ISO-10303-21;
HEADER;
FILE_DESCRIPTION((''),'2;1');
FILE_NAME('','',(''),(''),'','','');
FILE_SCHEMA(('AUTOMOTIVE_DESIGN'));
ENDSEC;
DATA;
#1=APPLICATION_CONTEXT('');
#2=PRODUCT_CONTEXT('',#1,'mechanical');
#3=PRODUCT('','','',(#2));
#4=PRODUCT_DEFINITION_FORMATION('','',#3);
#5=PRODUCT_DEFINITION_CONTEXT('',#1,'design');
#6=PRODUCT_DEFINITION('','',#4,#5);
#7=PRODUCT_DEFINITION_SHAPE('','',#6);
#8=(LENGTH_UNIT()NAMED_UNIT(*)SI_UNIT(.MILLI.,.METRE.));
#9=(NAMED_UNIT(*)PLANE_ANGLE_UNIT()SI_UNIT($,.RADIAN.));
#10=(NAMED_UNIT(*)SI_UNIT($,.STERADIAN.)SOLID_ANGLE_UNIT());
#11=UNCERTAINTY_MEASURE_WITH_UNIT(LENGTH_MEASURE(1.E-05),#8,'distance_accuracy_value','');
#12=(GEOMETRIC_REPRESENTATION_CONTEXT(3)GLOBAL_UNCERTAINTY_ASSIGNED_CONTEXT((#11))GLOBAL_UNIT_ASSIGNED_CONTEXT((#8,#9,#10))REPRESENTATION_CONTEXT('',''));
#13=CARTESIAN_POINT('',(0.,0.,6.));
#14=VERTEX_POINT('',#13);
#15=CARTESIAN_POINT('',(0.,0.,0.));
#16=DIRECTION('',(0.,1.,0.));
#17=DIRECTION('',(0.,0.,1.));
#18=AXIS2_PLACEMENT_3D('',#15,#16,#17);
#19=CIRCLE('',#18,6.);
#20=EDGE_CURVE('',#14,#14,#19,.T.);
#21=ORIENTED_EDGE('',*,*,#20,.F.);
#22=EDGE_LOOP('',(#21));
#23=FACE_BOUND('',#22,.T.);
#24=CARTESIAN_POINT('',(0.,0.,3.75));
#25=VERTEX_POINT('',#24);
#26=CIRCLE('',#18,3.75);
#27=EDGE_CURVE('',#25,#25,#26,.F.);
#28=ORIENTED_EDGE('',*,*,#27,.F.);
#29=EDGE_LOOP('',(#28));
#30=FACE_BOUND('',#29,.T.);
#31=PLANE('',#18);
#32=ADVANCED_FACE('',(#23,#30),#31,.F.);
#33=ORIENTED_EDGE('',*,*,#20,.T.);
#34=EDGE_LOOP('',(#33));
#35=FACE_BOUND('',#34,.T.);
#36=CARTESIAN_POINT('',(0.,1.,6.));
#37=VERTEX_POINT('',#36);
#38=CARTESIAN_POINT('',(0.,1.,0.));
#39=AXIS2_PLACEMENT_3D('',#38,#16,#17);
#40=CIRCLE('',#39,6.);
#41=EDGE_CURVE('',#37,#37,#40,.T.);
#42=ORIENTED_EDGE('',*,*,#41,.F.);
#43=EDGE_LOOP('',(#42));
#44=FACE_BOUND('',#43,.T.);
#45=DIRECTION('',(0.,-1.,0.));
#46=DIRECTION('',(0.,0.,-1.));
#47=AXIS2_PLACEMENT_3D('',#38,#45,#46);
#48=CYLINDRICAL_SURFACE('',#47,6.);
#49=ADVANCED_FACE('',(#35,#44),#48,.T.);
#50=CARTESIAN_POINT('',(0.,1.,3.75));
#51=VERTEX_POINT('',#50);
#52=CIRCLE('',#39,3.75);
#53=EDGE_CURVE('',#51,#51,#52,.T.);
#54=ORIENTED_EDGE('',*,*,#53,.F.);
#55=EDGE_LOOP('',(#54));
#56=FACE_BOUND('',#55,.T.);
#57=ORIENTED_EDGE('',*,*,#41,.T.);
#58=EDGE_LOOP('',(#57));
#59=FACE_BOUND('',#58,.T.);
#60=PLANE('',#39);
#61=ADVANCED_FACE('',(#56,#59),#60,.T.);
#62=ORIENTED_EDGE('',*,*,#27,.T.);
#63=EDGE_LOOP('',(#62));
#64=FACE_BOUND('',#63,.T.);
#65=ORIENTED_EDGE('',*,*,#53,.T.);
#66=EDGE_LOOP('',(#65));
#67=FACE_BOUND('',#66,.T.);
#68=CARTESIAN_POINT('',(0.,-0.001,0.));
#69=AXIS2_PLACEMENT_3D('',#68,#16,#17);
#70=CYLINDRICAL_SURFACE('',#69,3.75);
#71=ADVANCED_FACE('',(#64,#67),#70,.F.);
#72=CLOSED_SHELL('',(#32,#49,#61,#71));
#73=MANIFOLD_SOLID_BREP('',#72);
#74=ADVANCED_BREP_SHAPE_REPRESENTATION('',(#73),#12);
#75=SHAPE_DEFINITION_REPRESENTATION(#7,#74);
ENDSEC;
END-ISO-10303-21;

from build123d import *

# Parameters (mm, degrees)
SKETCH1_R           = 6
BOSS_EXTRUDE1_DEPTH = 1
CUT_EXTRUDE1_REACH  = 3
SKETCH2_R           = 3.75


with BuildPart() as part:
    # Sketch1 → Boss-Extrude1 (new body)
    with BuildSketch(Plane(origin=(0, 0, 0), x_dir=(1, 0, 0), z_dir=(0, 1, 0))):
        Circle(SKETCH1_R)
    extrude(amount=BOSS_EXTRUDE1_DEPTH)

    # Sketch2 → Cut-Extrude1 (cut, up to next)
    with BuildSketch(Plane(origin=(0, 1, 0), x_dir=(1, 0, 0), z_dir=(0, 1, 0)), mode=Mode.PRIVATE) as cut_extrude1_sk1:
        Circle(SKETCH2_R)
    cut_extrude1_tool1 = extrude(cut_extrude1_sk1.sketch, amount=-CUT_EXTRUDE1_REACH, mode=Mode.PRIVATE) & part.part
    add(cut_extrude1_tool1.solids().sort_by_distance((0, 1, 0))[0], mode=Mode.SUBTRACT)


solid = part.part
